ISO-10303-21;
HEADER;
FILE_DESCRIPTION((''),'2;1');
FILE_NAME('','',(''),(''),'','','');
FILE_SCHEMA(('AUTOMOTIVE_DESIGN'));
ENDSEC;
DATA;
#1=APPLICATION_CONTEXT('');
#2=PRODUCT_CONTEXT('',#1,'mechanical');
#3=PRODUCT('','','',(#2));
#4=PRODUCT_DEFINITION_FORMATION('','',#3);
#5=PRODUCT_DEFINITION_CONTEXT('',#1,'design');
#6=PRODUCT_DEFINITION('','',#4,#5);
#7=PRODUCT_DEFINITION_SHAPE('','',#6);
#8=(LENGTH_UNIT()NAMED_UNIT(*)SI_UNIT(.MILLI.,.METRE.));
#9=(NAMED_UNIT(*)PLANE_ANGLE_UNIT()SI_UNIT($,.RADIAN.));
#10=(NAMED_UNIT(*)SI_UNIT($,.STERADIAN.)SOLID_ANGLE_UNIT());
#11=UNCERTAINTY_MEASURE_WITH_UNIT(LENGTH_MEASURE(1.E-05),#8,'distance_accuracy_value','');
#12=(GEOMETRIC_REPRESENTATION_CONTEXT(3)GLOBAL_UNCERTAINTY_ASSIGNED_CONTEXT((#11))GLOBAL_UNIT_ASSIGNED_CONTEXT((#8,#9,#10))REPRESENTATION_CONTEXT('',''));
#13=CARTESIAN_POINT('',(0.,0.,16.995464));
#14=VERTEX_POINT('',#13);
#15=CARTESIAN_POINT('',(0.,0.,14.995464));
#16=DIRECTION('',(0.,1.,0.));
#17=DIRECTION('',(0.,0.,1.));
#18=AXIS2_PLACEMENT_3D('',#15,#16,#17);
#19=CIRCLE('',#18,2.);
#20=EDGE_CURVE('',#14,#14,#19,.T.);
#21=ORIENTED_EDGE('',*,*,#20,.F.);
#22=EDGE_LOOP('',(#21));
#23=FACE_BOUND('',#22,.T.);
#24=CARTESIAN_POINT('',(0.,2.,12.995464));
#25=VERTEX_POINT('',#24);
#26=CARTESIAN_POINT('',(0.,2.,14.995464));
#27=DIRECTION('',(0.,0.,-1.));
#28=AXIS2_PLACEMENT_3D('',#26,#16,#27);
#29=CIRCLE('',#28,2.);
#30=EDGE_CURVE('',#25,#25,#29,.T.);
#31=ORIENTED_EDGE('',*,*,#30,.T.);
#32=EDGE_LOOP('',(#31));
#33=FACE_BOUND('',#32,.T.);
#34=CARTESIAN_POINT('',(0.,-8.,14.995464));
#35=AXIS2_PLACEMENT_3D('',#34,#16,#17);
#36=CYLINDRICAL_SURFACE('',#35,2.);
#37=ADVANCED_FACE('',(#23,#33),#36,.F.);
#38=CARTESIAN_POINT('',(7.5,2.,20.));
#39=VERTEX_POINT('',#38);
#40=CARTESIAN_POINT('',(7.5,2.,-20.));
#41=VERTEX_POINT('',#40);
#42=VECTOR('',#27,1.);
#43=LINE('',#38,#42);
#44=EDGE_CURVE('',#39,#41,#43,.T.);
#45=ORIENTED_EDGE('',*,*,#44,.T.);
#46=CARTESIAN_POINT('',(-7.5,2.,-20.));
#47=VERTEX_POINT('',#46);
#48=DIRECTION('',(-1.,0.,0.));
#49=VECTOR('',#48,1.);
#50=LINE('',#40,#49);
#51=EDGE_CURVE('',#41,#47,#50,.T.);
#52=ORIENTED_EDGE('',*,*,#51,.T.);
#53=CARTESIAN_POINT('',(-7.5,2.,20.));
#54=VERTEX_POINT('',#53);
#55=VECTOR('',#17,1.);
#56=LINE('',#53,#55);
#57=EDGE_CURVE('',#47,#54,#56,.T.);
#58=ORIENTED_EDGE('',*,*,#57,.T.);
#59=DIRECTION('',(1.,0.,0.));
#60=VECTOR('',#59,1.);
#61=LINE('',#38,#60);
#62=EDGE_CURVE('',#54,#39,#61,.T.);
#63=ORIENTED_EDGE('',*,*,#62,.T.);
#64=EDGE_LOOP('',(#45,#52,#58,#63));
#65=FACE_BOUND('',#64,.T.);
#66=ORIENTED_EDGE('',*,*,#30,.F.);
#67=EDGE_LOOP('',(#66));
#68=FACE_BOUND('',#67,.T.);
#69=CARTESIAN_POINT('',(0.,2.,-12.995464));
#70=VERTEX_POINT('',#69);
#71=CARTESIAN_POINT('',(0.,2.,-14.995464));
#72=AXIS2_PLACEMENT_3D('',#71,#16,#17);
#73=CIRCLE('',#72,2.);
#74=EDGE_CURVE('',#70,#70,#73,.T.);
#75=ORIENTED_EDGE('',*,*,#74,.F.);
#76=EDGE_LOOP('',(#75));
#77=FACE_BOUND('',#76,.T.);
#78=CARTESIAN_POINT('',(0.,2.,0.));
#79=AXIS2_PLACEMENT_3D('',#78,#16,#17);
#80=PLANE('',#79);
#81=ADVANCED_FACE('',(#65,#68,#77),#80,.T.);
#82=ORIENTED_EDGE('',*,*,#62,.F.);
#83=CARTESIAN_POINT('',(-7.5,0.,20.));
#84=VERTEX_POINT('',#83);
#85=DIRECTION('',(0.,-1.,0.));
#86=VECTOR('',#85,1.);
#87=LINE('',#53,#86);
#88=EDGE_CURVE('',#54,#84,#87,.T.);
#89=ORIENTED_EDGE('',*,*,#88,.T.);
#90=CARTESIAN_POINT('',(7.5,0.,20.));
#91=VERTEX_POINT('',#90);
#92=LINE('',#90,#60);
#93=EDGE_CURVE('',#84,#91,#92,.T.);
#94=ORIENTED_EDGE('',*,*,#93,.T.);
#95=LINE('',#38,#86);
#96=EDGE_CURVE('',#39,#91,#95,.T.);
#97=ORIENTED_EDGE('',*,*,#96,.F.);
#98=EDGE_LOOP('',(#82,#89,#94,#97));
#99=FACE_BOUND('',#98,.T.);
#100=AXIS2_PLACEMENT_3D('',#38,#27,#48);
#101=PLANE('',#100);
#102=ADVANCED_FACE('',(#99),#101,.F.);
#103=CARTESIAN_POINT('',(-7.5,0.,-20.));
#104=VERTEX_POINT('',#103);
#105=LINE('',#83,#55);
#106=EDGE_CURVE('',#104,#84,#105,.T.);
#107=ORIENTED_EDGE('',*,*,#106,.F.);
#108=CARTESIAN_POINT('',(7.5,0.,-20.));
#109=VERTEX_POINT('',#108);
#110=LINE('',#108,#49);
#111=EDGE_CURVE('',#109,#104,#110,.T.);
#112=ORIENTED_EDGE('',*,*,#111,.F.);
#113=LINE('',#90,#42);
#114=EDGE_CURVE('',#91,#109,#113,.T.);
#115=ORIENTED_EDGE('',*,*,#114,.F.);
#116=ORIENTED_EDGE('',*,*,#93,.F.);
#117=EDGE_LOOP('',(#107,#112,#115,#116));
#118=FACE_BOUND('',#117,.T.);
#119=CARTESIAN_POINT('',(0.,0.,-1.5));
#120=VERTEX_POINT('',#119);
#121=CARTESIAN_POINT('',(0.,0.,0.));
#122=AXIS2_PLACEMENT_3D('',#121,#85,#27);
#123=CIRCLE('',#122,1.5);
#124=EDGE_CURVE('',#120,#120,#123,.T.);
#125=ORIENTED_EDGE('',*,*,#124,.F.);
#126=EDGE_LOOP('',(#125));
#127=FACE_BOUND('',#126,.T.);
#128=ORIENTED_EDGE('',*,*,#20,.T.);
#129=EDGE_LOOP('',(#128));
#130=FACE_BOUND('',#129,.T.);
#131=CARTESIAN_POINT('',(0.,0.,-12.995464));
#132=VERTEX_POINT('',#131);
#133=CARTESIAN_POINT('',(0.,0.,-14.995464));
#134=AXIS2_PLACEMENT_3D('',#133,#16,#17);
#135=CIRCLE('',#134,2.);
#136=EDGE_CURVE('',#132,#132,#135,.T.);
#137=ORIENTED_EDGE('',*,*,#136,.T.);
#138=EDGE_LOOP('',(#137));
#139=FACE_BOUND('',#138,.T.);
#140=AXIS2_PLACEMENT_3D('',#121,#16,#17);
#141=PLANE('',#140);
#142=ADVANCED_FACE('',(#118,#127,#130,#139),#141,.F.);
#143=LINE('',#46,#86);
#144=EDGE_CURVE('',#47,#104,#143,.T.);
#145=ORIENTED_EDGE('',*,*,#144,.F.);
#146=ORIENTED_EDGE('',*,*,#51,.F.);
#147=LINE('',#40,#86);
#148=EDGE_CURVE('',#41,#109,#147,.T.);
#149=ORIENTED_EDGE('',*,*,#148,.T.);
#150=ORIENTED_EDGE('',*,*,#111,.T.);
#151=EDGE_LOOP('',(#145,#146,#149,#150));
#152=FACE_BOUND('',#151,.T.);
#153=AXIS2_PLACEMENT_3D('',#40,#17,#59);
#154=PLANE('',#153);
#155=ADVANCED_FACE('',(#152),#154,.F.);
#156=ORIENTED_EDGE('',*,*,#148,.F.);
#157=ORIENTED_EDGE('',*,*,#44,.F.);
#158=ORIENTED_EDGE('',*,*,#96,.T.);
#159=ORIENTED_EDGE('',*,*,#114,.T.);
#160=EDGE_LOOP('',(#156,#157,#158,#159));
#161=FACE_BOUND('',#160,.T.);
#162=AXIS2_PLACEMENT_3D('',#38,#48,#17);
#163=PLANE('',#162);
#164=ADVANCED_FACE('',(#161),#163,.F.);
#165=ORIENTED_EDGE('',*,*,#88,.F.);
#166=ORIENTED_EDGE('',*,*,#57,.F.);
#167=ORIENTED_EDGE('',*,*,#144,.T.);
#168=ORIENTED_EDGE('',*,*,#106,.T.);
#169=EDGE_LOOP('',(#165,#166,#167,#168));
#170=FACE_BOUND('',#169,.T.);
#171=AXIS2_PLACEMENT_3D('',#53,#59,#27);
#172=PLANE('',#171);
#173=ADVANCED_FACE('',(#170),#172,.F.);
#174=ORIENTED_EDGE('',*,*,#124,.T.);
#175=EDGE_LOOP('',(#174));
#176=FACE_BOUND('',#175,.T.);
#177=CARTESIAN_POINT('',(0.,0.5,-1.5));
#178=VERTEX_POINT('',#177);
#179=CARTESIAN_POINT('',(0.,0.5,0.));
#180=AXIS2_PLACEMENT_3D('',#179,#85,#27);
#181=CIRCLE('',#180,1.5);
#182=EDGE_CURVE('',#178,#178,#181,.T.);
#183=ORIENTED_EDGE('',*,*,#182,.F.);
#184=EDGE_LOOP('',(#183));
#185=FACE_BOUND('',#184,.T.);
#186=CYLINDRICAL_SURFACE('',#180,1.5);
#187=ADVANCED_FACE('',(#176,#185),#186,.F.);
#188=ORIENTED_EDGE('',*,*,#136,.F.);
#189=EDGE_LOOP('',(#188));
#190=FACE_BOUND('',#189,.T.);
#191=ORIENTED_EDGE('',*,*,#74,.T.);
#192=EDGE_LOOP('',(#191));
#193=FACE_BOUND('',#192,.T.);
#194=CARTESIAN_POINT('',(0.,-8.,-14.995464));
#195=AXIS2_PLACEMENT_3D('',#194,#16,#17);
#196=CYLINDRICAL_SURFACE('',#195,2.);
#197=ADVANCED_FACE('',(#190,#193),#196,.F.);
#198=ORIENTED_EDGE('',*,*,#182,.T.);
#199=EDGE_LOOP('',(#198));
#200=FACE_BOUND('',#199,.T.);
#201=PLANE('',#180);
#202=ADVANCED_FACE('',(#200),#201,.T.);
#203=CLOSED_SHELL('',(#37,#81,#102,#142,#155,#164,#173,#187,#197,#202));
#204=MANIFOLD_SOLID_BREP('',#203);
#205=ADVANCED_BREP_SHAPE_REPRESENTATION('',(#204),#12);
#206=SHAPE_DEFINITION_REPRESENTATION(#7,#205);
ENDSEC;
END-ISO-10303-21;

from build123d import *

# Parameters (mm, degrees)
SKETCH2_W           = 15
SKETCH2_H           = 40
BOSS_EXTRUDE1_DEPTH = 2
SKETCH3_R           = 1.5
CUT_EXTRUDE1_DEPTH  = 0.5
SKETCH4_R           = 2
CUT_EXTRUDE2_DEPTH  = 10


with BuildPart() as part:
    # Sketch2 → Boss-Extrude1 (new body)
    with BuildSketch(Plane(origin=(0, 0, 0), x_dir=(1, 0, 0), z_dir=(0, 1, 0))):
        Rectangle(SKETCH2_W, SKETCH2_H)
    extrude(amount=BOSS_EXTRUDE1_DEPTH)

    # Sketch3 → Cut-Extrude1 (cut)
    with BuildSketch(Plane(origin=(0, 0, 0), x_dir=(-1, 0, 0), z_dir=(0, -1, 0))):
        with Locations(Location((0, 0, 0), (0, 0, 90))):
            Circle(SKETCH3_R)
    extrude(amount=-CUT_EXTRUDE1_DEPTH, mode=Mode.SUBTRACT)

    # Sketch4 → Cut-Extrude2 (cut)
    with BuildSketch(Plane(origin=(0, 2, 0), x_dir=(1, 0, 0), z_dir=(0, 1, 0))):
        with Locations(Location((0, 14.995463788, 0), (0, 0, 270))):
            Circle(SKETCH4_R)
        with Locations(Location((0, -14.995463788, 0), (0, 0, 270))):
            Circle(SKETCH4_R)
    extrude(amount=-CUT_EXTRUDE2_DEPTH, mode=Mode.SUBTRACT)


solid = part.part
